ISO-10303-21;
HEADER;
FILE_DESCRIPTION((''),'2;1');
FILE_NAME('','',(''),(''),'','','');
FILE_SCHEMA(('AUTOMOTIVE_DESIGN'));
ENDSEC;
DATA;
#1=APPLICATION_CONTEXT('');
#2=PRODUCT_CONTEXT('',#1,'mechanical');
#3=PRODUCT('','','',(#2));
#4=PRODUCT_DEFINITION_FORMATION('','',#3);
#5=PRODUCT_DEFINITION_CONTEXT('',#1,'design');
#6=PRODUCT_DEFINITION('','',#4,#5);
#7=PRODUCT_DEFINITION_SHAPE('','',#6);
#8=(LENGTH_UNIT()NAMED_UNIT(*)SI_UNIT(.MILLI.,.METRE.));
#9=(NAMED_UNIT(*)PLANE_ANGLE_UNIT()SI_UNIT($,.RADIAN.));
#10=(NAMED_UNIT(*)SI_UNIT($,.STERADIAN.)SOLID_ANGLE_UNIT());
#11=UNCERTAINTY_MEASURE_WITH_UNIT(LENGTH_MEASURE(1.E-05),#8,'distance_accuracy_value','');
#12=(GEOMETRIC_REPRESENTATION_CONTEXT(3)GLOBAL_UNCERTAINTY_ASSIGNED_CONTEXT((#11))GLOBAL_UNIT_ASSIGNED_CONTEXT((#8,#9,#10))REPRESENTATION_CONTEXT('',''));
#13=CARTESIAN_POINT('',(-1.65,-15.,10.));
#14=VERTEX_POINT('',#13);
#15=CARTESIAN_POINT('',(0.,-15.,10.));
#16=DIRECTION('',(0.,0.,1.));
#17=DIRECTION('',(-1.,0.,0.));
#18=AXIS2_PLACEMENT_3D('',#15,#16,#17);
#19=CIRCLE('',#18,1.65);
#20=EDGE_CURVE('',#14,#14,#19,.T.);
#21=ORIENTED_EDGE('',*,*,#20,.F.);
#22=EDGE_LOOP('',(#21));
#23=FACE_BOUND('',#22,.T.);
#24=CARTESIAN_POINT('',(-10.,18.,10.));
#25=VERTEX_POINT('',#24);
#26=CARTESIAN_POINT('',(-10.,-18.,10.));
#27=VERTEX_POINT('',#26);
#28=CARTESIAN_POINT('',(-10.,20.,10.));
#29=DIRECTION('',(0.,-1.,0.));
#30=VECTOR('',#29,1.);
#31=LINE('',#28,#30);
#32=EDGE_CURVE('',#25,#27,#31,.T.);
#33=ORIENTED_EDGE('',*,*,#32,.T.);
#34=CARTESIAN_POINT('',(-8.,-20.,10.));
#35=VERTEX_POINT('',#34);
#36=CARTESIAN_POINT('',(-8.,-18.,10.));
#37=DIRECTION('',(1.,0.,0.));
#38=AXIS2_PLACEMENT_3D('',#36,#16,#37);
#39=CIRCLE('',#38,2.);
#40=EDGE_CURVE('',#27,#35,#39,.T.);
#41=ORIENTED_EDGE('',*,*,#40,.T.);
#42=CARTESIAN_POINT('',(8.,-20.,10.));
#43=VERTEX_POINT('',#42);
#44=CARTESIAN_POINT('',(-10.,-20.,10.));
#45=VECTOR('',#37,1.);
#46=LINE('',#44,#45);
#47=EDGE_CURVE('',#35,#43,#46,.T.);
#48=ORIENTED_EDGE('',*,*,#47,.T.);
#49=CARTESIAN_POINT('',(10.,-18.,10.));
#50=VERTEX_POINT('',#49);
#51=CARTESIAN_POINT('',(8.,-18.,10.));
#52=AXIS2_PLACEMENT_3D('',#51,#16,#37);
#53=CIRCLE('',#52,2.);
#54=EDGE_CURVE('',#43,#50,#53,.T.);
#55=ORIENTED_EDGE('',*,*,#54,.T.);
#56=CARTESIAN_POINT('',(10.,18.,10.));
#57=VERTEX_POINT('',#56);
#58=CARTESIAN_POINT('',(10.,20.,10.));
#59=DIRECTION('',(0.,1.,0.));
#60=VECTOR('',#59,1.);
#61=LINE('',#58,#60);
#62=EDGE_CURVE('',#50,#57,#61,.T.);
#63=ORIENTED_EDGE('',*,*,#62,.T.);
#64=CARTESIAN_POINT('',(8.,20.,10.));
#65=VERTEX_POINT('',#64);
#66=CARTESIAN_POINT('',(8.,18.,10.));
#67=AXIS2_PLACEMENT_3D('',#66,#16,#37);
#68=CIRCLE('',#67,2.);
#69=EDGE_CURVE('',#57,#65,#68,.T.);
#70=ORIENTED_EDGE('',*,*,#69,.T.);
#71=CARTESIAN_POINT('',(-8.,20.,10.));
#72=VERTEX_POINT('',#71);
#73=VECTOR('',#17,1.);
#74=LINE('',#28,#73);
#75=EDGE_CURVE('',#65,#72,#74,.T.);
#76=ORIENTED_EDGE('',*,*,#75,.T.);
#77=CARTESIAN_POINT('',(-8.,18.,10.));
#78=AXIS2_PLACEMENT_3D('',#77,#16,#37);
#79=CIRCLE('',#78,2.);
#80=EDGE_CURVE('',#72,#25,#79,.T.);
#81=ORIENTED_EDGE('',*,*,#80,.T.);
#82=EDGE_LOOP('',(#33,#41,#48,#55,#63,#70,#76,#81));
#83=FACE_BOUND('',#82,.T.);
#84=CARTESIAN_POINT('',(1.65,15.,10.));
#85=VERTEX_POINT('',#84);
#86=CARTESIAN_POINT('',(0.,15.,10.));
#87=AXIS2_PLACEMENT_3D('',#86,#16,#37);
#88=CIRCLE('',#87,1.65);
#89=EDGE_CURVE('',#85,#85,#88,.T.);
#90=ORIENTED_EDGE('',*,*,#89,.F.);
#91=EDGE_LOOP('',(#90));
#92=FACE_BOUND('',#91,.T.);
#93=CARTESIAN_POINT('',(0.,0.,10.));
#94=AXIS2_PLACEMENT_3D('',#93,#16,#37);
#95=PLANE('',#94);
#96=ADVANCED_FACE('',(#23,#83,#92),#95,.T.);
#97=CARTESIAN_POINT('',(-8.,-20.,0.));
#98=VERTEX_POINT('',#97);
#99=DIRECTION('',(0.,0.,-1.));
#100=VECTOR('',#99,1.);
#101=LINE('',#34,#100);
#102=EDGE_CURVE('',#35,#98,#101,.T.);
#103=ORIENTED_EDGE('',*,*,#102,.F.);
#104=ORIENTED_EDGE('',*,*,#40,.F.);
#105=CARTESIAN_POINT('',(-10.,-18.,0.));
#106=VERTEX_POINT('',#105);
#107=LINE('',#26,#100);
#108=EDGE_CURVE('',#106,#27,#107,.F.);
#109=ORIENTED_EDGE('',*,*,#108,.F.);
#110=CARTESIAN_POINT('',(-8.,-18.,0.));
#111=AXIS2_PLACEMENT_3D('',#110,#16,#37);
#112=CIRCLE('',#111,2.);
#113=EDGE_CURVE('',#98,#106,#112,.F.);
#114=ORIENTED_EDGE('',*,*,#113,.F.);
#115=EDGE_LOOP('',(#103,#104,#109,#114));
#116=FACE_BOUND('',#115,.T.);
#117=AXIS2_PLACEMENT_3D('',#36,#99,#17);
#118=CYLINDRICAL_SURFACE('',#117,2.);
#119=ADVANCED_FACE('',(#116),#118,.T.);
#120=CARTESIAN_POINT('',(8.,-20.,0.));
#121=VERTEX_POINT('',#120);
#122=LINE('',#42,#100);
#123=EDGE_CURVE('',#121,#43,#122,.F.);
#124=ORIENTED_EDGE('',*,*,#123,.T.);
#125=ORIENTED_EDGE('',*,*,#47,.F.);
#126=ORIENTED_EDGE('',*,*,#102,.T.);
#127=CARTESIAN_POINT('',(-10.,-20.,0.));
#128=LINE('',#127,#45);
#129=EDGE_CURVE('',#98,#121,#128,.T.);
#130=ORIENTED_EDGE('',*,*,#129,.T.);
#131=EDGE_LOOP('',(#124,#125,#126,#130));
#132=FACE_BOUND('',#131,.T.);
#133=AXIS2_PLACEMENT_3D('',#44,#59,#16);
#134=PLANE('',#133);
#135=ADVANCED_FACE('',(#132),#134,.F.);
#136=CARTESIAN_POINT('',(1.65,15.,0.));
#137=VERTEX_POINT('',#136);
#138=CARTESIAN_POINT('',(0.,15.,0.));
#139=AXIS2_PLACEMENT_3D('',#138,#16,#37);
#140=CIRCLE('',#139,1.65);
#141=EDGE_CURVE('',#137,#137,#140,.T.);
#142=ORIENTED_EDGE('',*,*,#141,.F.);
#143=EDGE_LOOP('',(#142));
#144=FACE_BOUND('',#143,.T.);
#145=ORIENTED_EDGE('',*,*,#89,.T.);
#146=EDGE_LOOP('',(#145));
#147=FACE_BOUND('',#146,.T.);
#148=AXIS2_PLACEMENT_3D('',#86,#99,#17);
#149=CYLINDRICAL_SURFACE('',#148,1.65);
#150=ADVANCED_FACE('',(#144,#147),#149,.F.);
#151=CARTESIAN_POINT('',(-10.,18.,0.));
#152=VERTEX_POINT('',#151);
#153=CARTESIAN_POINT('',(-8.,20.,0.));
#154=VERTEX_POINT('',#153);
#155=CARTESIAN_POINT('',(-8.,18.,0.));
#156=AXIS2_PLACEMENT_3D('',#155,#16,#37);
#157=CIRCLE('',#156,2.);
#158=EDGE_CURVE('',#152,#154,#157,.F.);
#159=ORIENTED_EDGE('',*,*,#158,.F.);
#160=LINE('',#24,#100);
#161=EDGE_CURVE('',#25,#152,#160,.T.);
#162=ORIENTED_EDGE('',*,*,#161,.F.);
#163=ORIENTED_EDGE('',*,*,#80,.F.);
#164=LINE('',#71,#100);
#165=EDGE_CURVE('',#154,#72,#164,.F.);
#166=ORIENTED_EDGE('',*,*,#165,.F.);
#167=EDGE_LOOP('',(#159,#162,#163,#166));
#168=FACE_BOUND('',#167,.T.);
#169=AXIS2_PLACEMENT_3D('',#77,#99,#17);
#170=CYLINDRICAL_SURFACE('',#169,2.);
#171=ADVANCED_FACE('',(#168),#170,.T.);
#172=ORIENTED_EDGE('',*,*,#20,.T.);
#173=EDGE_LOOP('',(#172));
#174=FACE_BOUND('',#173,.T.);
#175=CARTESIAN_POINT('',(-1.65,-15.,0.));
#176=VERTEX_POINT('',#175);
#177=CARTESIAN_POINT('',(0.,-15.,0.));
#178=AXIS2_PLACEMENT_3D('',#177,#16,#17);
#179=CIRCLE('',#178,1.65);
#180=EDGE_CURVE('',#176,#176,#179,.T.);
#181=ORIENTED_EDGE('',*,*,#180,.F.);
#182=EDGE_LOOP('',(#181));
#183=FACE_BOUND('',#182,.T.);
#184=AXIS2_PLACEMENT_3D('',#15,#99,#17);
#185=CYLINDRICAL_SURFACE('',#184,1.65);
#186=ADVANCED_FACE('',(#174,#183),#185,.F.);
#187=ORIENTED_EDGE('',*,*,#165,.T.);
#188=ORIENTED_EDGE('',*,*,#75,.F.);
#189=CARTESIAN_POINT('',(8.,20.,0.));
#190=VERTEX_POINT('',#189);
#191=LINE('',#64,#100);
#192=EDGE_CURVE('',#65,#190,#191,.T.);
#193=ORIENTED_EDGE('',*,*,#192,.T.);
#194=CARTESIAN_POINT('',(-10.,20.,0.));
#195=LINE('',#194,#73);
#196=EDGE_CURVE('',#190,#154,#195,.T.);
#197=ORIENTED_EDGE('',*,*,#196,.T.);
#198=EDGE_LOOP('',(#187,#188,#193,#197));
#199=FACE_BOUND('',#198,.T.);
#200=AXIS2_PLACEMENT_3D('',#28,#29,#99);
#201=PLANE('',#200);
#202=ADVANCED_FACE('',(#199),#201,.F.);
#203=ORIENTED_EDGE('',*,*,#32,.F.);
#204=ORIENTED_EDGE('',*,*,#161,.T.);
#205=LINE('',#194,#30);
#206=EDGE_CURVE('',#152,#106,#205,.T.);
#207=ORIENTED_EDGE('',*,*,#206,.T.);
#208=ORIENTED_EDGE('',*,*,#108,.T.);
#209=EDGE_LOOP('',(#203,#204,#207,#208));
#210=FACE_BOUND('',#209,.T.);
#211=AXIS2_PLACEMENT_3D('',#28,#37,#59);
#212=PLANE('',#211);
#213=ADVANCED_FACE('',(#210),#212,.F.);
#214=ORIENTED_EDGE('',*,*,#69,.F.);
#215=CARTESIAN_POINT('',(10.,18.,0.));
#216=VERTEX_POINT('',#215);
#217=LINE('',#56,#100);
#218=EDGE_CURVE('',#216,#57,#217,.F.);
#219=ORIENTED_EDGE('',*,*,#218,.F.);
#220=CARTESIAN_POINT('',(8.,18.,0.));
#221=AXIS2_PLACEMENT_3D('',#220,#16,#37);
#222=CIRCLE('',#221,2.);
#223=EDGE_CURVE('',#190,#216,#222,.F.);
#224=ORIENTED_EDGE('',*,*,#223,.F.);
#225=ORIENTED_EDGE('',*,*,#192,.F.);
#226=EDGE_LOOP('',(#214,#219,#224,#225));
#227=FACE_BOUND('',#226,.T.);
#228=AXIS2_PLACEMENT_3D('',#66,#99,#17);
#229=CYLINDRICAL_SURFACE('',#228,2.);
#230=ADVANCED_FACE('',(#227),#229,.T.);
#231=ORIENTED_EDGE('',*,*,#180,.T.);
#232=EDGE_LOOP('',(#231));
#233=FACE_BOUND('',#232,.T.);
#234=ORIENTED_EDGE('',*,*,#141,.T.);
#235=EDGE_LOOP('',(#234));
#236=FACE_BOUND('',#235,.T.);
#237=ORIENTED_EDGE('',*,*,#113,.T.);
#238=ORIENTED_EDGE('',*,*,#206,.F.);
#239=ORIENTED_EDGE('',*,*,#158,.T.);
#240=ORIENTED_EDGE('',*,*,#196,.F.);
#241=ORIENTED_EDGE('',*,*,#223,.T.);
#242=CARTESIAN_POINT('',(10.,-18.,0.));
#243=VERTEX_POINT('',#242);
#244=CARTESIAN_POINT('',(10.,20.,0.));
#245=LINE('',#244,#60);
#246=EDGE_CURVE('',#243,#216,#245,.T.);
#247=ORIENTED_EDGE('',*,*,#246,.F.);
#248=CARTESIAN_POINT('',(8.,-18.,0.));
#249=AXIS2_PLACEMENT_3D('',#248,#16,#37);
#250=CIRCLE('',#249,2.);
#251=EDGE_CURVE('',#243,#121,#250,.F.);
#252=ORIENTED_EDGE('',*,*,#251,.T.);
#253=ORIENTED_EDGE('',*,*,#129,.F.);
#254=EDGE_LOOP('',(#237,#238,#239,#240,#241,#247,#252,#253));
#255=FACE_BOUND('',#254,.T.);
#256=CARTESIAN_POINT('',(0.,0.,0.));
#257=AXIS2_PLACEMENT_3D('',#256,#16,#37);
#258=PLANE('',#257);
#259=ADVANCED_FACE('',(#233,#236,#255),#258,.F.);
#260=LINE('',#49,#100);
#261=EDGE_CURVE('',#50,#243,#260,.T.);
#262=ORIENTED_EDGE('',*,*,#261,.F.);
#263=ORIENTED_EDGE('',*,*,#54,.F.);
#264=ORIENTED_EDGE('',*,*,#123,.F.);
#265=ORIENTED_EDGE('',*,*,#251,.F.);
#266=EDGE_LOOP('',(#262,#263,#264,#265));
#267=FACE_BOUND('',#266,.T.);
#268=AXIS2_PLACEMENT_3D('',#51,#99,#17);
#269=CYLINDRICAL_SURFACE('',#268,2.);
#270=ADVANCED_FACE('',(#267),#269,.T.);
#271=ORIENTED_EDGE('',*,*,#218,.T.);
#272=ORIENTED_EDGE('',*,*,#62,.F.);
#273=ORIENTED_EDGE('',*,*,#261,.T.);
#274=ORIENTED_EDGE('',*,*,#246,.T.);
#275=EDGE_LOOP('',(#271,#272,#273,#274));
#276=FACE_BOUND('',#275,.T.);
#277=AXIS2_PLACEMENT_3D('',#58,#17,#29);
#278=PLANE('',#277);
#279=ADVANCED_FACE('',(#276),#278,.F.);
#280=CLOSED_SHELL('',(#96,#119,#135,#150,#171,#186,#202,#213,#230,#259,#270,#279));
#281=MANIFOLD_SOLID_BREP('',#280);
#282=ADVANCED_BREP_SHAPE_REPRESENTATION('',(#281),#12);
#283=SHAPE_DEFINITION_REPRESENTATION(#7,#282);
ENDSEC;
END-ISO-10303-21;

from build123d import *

# Parameters (mm, degrees)
SKETCH_1_W      = 20
SKETCH_1_H      = 40
SKETCH_1_R      = 1.65
EXTRUDE_1_DEPTH = 10
FILLET_1_R      = 2


with BuildPart() as part:
    # 草图1 → 凸台-拉伸1 (new body)
    with BuildSketch(Plane.XY):
        Rectangle(SKETCH_1_W, SKETCH_1_H)
        with Locations((0, 15)):
            Circle(SKETCH_1_R, mode=Mode.SUBTRACT)
        with Locations(Location((0, -15, 0), (0, 0, 180))):
            Circle(SKETCH_1_R, mode=Mode.SUBTRACT)
    extrude(amount=EXTRUDE_1_DEPTH)

    # 圆角1
    fillet_1_edges = [part.edges().sort_by_distance(p)[0] for p in [
        (10, -20, 5),
        (-10, -20, 5),
        (-10, 20, 5),
        (10, 20, 5),
    ]]
    fillet(fillet_1_edges, radius=FILLET_1_R)


solid = part.part
